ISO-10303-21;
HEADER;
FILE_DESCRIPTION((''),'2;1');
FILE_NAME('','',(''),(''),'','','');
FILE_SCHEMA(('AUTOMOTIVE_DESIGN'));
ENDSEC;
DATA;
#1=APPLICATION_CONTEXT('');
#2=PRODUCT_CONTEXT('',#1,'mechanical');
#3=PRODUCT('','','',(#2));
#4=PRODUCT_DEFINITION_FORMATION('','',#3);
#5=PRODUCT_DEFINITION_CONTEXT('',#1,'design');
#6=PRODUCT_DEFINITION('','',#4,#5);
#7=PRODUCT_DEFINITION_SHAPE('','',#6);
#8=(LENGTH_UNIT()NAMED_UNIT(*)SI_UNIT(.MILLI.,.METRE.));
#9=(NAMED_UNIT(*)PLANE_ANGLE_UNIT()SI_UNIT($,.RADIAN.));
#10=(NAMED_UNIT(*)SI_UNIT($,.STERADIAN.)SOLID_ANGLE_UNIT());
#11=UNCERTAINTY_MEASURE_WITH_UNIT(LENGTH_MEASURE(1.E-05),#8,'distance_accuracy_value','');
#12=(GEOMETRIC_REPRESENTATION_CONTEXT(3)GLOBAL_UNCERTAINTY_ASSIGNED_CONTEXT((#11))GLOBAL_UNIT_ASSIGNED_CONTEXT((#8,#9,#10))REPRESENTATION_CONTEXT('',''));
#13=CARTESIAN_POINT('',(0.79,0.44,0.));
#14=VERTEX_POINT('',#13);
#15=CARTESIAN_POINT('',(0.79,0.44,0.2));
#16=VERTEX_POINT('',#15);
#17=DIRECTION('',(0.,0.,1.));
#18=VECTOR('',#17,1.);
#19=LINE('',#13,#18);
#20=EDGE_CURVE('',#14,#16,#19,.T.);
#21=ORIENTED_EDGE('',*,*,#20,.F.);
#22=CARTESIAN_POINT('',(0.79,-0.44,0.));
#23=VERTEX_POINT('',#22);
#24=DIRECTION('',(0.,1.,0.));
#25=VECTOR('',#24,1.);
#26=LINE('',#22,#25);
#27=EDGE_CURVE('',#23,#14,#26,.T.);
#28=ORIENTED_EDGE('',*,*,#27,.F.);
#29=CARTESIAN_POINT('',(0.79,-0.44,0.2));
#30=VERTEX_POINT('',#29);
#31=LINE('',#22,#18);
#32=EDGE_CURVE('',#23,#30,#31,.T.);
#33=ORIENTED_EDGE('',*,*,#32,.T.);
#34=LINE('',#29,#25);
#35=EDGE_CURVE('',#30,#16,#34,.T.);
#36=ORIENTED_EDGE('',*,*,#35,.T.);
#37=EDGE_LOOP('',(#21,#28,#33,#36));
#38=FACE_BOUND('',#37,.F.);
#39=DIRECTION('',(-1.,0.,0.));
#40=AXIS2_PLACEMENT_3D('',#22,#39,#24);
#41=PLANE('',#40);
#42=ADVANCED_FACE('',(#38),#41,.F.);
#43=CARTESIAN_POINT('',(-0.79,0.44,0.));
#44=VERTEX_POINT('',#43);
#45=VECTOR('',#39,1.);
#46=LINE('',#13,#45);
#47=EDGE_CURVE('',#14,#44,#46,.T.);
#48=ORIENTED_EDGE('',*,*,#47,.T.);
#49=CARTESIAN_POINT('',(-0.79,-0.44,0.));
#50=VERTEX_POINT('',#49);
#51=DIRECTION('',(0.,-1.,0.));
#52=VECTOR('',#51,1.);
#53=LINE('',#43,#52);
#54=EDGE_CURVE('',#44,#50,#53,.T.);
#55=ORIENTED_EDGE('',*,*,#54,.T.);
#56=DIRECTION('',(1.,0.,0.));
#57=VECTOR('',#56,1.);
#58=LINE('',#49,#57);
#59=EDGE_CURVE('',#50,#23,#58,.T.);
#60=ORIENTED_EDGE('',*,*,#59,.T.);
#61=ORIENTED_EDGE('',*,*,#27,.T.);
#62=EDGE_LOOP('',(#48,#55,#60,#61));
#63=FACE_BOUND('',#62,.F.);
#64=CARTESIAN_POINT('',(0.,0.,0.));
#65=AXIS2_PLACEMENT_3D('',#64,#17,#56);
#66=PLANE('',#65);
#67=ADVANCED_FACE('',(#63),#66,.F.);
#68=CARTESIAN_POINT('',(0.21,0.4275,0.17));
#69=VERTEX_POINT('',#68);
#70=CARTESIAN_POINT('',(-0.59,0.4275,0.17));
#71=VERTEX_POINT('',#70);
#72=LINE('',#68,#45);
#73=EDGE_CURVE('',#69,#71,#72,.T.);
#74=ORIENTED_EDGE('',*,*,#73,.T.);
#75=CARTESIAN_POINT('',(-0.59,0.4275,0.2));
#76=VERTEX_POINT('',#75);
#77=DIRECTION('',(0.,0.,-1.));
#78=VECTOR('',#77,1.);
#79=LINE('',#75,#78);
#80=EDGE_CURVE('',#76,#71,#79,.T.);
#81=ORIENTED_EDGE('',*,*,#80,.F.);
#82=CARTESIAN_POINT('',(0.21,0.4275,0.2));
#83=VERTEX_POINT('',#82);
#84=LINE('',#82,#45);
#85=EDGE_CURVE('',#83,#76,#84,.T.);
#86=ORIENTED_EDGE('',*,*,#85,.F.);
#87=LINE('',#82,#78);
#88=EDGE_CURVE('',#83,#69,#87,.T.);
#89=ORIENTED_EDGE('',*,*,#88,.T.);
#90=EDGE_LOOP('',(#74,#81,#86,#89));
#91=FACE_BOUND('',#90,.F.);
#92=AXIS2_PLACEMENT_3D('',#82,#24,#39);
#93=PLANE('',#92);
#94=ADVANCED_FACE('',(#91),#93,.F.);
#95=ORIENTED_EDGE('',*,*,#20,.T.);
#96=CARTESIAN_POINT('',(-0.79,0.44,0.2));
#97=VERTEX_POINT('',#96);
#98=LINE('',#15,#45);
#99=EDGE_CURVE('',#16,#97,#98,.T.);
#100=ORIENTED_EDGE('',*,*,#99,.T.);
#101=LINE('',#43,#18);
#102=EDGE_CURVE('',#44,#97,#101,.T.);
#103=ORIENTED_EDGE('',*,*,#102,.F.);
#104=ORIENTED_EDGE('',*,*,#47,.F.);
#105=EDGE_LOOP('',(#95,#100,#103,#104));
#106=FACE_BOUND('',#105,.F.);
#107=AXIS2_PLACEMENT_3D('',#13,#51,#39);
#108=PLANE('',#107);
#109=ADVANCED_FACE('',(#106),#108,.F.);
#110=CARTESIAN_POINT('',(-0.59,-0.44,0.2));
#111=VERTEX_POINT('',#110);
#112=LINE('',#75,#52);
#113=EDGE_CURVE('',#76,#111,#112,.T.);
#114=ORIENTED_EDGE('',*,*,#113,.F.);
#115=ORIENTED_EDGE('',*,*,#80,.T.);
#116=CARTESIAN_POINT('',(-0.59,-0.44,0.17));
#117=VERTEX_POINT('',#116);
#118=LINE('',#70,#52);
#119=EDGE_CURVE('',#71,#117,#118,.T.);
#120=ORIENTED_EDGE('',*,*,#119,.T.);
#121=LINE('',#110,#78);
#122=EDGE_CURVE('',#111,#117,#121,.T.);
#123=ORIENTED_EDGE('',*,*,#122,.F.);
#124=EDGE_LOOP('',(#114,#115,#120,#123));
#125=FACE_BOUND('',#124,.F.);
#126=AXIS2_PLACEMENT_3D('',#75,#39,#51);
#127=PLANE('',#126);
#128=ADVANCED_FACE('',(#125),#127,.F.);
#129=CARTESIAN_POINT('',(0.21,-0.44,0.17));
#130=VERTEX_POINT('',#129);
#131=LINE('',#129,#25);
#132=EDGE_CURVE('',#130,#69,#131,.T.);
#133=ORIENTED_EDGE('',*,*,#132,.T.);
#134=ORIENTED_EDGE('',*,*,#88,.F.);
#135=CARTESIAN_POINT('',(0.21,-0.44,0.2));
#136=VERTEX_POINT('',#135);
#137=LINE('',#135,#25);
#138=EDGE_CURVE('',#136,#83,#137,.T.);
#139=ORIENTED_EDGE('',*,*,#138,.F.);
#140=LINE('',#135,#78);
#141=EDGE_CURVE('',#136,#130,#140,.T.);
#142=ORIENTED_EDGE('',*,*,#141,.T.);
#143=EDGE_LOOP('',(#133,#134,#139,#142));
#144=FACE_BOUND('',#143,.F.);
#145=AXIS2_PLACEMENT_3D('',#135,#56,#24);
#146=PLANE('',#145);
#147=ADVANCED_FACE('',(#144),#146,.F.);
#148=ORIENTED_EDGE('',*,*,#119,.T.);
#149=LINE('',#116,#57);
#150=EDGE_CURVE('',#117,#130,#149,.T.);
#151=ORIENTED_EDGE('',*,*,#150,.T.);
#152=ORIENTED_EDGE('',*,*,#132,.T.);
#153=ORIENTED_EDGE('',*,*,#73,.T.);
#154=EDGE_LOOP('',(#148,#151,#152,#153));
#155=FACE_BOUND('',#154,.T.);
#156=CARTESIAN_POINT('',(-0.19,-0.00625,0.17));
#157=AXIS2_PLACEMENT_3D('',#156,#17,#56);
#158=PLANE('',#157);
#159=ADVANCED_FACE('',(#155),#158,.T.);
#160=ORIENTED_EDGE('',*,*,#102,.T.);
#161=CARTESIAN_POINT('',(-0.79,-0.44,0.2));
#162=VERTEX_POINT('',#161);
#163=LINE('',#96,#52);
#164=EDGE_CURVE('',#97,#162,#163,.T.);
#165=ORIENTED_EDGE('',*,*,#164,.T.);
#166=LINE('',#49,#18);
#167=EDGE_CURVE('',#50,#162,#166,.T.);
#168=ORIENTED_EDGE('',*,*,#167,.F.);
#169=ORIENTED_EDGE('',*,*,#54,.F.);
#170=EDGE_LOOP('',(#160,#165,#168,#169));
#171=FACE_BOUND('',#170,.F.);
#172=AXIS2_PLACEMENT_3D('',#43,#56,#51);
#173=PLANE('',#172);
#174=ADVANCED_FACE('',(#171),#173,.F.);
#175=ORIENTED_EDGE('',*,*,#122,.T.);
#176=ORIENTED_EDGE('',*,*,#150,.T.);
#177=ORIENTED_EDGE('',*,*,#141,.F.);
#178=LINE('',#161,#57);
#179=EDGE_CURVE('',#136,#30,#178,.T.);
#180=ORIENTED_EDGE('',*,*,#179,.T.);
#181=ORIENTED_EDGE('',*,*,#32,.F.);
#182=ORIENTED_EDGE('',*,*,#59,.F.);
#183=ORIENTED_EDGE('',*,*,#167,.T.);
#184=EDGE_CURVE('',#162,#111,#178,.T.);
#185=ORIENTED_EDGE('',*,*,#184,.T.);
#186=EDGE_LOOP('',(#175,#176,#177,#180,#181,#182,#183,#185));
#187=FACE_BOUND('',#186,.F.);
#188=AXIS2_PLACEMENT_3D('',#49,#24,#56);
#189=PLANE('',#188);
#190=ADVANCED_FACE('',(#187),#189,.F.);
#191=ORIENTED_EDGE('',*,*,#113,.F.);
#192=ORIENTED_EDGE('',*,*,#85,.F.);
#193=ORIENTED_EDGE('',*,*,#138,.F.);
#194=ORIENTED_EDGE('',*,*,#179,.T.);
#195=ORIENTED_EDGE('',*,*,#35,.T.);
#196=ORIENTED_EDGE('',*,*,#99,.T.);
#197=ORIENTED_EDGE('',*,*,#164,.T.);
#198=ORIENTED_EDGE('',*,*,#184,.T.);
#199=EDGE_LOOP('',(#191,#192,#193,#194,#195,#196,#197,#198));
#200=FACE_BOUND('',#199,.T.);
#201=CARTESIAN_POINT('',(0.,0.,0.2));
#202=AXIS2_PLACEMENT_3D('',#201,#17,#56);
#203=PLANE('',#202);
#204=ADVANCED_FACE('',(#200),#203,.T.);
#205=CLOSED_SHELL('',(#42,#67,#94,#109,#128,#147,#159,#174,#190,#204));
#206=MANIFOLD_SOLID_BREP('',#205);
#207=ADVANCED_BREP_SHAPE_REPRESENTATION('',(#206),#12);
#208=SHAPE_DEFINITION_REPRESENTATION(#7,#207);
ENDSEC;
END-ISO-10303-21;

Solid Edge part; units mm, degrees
sketch "Sketch1" plane through (0, 0, 0) normal (0, 0, 1) x (1, 0, 0)
  line L0 (-0.79, -0.44) -> (0.79, -0.44)
  line L1 (0.79, -0.44) -> (0.79, 0.44)
  line L2 (0.79, 0.44) -> (-0.79, 0.44)
  line L3 (-0.79, 0.44) -> (-0.79, -0.44)
  dimension "D1" = 0.88
  dimension "D2" = 1.58
extrude "Protrusion1" add sketch "Sketch1" along normal blind 0.2
sketch "Sketch2" plane through (0, 0, 0.2) normal (0, 0, 1) x (1, 0, 0)
  line L0 (-0.59, 0.4275) -> (-0.59, -0.44)
  line L1 (-0.59, -0.44) -> (0.21, -0.44)
  line L2 (0.21, -0.44) -> (0.21, 0.4275)
  line L3 (0.21, 0.4275) -> (-0.59, 0.4275)
  dimension "D1" = 0.2
  dimension "D2" = 0.8
extrude "Ausschnitt_1" cut sketch "Sketch2" against normal blind 0.03
